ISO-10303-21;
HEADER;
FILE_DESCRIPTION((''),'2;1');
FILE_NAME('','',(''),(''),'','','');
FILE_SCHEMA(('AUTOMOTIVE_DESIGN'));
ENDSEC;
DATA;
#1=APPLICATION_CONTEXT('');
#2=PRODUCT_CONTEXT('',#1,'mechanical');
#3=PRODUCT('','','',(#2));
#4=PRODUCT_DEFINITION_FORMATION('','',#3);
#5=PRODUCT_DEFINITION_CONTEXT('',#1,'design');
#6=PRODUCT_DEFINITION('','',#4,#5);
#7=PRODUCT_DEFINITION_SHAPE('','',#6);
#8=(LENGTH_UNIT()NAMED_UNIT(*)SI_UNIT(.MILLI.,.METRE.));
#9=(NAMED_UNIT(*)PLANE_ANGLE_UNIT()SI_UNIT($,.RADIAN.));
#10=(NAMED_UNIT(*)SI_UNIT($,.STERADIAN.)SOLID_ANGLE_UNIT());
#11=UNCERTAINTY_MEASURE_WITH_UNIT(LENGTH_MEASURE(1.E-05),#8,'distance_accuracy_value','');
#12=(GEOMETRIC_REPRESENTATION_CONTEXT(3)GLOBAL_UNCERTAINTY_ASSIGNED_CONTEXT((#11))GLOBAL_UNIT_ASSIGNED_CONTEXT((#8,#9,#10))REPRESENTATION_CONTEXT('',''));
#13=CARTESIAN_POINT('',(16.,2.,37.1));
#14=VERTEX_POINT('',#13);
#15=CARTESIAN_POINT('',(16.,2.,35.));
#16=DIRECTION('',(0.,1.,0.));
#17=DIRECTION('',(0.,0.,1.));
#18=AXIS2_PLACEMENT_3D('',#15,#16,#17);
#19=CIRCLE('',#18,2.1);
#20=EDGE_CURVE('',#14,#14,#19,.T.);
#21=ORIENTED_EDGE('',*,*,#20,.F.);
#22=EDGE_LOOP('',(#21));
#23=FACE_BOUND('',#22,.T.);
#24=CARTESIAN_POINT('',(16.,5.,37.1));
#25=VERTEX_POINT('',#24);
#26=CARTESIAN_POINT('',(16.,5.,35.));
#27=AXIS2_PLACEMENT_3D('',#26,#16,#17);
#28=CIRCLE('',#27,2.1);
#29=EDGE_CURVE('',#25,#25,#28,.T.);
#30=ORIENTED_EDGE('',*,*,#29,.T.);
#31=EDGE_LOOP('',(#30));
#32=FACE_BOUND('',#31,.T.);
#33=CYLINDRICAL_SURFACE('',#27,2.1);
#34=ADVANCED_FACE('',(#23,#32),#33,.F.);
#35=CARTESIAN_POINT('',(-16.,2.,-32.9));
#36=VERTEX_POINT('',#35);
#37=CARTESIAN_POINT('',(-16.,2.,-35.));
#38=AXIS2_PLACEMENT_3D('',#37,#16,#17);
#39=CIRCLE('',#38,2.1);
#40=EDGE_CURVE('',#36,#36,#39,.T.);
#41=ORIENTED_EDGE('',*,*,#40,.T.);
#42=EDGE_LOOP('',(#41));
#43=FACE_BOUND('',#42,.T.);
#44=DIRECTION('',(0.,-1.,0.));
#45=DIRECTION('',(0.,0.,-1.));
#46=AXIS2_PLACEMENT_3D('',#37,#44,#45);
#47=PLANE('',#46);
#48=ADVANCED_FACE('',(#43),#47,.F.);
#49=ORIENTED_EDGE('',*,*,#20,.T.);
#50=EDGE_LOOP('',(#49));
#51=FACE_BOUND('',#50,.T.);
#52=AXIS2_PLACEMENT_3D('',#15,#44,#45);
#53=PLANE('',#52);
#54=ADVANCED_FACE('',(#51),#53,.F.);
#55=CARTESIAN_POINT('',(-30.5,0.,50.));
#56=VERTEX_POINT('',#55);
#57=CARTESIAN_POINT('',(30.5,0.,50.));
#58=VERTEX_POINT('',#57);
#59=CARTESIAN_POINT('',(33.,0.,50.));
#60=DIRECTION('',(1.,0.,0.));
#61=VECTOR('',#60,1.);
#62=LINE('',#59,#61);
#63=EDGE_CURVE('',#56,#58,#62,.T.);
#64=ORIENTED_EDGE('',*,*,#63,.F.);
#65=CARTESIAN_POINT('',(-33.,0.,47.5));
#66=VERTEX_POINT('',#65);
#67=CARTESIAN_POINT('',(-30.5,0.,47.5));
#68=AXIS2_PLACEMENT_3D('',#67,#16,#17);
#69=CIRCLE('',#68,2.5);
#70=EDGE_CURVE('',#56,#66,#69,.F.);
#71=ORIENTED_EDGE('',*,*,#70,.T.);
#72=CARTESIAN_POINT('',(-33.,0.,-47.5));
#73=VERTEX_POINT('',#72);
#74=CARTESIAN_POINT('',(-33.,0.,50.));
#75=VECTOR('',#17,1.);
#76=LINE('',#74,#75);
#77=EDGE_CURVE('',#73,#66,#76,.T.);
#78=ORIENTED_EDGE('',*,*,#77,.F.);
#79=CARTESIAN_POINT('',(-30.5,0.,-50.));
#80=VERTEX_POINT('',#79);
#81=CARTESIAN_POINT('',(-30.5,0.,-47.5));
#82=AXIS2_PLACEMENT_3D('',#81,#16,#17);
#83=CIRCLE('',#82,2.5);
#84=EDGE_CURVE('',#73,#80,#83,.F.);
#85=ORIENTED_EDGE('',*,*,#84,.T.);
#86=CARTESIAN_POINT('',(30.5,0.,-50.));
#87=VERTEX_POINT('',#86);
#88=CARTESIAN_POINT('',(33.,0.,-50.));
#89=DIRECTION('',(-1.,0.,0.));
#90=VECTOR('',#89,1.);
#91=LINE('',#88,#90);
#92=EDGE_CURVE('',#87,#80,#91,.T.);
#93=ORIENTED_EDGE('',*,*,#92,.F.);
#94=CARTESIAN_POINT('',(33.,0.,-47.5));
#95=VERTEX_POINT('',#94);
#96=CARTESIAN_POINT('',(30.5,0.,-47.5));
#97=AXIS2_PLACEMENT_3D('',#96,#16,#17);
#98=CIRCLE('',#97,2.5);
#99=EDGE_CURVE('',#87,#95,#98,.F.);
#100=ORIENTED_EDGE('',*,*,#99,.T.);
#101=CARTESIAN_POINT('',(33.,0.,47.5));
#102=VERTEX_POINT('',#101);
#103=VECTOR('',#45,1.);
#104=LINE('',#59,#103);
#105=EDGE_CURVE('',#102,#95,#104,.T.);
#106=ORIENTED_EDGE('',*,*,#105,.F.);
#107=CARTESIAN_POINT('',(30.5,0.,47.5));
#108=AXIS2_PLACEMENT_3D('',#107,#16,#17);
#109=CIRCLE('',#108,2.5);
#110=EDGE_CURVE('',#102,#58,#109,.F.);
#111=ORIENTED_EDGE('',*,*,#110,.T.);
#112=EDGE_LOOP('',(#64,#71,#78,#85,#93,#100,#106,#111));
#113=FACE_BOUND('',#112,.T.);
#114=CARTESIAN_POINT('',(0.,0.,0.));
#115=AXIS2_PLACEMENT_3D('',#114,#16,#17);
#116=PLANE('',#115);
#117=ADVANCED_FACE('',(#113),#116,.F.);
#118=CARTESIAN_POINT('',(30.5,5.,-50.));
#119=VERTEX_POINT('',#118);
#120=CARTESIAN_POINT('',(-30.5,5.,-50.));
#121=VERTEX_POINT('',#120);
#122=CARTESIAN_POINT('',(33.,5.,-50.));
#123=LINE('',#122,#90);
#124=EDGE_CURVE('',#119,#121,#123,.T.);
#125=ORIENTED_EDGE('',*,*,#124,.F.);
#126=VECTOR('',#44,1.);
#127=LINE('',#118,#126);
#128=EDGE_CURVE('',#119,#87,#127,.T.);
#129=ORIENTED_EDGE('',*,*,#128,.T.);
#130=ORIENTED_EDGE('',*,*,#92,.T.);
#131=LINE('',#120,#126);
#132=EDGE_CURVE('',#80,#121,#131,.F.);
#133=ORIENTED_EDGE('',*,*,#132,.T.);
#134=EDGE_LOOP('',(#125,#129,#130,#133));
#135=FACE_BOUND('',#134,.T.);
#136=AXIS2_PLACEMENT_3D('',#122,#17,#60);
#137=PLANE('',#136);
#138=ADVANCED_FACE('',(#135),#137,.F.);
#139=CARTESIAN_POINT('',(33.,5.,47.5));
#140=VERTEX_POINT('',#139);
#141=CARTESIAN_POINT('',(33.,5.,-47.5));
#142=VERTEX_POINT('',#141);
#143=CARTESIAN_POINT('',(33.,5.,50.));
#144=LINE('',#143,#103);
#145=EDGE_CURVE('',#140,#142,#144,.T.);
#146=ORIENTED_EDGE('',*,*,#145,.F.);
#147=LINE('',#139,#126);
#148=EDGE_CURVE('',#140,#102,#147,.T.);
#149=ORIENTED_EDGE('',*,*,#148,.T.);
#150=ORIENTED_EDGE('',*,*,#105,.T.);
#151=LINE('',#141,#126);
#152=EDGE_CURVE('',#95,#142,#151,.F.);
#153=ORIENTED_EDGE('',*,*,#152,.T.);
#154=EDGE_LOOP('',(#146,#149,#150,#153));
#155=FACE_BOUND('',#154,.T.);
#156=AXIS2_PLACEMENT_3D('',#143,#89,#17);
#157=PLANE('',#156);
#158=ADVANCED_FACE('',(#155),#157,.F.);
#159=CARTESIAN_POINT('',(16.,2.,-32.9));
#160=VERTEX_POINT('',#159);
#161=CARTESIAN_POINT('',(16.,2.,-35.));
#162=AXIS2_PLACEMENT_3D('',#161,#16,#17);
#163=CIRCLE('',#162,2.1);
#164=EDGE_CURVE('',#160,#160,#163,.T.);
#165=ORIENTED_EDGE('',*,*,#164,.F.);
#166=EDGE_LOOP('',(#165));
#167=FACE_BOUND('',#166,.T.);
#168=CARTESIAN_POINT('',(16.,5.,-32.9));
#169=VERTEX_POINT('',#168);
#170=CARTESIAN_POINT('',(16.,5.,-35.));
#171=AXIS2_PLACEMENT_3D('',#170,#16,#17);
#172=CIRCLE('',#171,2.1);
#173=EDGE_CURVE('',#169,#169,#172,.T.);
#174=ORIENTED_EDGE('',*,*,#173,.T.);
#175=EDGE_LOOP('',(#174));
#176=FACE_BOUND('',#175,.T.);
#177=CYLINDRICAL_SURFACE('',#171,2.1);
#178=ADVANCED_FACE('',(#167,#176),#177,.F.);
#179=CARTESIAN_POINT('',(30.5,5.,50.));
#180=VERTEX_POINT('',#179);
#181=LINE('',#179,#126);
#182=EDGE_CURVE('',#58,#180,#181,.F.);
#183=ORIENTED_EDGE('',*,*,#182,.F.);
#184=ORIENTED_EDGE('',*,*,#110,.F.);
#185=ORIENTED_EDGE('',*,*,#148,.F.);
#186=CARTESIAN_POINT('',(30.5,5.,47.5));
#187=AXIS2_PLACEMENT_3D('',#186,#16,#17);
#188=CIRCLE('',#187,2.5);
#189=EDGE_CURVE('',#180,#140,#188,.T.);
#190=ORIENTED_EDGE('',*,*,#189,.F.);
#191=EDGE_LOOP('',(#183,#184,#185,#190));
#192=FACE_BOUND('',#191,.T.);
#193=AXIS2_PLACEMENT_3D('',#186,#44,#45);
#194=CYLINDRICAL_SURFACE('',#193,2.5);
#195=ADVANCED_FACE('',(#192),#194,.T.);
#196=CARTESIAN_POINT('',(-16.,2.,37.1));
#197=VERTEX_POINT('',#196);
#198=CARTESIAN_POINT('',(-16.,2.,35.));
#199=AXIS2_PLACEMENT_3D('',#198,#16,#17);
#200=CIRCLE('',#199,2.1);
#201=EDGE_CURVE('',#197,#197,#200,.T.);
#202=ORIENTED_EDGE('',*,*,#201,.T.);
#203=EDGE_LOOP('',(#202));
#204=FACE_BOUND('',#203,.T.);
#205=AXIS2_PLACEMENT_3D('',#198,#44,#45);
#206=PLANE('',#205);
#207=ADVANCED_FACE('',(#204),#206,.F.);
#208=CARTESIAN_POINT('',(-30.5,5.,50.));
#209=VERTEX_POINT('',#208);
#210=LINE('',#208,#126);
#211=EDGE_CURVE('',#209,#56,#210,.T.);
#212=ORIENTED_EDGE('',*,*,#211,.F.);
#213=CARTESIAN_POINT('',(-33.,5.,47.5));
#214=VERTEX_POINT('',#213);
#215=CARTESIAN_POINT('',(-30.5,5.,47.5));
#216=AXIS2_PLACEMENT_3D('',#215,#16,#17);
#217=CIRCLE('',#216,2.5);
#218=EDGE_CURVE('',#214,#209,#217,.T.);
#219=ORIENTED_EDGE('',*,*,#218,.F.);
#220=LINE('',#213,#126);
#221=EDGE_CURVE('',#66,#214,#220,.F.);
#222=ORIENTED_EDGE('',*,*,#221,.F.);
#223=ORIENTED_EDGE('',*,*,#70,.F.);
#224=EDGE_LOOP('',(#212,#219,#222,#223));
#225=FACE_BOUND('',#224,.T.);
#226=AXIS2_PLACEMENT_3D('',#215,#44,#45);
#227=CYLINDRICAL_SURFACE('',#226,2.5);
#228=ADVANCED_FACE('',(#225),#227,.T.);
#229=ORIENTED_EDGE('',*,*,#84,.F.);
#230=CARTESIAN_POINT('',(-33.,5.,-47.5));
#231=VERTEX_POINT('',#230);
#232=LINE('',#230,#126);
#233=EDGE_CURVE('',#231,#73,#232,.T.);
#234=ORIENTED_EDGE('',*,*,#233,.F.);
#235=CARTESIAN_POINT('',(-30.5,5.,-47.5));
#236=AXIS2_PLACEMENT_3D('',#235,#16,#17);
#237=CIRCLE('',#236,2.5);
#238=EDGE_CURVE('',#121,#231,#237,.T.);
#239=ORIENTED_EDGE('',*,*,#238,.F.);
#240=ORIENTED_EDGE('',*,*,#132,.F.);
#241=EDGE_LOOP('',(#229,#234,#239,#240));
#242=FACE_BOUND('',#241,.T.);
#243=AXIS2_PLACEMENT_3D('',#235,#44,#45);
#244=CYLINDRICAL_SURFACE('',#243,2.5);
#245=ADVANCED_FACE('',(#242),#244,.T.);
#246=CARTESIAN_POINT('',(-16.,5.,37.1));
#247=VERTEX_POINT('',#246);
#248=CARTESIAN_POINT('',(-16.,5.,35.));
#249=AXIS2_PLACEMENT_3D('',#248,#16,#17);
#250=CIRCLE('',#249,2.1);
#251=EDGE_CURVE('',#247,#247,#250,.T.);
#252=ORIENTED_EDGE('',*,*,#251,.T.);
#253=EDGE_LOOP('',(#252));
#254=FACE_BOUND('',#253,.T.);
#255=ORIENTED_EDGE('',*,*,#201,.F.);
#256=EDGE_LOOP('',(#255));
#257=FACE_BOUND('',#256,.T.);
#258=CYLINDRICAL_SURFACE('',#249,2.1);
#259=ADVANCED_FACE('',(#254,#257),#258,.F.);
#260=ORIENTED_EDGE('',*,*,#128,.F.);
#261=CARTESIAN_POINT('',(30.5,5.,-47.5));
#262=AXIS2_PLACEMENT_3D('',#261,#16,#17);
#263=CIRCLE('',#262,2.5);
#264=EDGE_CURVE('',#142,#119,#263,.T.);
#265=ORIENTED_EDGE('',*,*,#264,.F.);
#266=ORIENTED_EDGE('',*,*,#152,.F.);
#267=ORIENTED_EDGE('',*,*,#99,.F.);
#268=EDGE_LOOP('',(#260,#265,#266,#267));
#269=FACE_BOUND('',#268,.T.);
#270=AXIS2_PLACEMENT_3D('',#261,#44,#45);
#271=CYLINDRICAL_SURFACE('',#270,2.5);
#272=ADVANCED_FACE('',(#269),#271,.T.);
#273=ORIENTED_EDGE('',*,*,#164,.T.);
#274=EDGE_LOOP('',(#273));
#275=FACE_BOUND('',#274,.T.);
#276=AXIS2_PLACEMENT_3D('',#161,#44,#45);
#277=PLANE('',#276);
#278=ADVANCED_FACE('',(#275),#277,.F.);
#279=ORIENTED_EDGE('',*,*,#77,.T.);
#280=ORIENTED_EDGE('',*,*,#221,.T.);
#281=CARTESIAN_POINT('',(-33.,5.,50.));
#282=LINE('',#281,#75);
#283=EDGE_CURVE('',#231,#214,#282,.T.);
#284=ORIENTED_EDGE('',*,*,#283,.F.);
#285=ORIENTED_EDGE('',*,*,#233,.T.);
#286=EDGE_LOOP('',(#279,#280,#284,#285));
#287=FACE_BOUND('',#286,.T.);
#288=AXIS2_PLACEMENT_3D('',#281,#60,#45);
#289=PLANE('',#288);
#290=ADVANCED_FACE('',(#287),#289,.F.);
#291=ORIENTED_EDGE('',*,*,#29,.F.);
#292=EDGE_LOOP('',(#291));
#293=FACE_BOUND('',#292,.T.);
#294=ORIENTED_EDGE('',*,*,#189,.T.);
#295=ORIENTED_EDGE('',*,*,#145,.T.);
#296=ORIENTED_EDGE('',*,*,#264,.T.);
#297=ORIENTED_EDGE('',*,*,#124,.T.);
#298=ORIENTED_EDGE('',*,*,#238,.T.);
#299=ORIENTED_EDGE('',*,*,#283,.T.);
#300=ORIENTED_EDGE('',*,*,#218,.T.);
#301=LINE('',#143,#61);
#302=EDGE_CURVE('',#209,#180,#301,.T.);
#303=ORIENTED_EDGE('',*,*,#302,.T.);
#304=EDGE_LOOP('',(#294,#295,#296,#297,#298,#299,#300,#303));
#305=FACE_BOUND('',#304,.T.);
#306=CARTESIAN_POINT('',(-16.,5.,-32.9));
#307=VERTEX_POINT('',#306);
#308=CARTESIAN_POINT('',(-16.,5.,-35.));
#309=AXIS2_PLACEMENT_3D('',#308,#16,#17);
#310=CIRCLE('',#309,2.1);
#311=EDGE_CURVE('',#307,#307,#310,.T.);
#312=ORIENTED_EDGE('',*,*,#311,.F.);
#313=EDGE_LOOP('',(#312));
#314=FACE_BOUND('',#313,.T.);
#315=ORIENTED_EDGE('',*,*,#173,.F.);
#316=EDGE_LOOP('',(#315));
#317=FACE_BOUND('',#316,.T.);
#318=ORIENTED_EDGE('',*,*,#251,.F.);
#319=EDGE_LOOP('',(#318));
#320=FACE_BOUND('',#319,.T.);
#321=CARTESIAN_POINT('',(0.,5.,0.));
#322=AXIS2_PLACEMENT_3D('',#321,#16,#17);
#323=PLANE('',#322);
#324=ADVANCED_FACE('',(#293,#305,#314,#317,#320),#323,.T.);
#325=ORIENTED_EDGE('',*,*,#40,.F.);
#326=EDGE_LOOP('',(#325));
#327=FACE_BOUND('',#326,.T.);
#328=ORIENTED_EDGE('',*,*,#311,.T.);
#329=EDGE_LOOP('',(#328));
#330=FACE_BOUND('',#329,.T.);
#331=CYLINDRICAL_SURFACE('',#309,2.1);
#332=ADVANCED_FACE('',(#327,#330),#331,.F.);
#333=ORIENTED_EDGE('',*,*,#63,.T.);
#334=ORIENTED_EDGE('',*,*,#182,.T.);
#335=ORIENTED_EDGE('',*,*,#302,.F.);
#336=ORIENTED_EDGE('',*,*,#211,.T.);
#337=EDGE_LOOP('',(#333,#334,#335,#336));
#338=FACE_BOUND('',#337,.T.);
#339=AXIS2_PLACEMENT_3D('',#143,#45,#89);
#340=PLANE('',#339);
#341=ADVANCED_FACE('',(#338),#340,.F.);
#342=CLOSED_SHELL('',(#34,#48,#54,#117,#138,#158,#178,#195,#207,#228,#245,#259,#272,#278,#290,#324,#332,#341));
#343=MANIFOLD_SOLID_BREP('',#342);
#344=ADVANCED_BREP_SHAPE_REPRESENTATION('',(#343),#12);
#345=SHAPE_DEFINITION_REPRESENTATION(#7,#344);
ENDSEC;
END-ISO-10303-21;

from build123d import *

# Parameters (mm, degrees)
SKETCH1_W                 = 66
SKETCH1_H                 = 100
BOSS_EXTRUDE1_DEPTH       = 5
F_4_0MM_DOWEL_HOLE1_D     = 4.2
F_4_0MM_DOWEL_HOLE1_DEPTH = 3
FILLET1_R                 = 2.5


with BuildPart() as part:
    # Sketch1 → Boss-Extrude1 (new body)
    with BuildSketch(Plane(origin=(0, 0, 0), x_dir=(1, 0, 0), z_dir=(0, 1, 0))):
        Rectangle(SKETCH1_W, SKETCH1_H)
    extrude(amount=BOSS_EXTRUDE1_DEPTH)

    # Ø4.0mm Dowel Hole1
    with Locations(Plane(origin=(0, 5, 0), x_dir=(1, 0, 0), z_dir=(0, 1, 0))):
        with Locations((-16, 35), (16, 35), (16, -35), (-16, -35)):
            Hole(F_4_0MM_DOWEL_HOLE1_D / 2, depth=F_4_0MM_DOWEL_HOLE1_DEPTH)

    # Fillet1
    fillet1_edges = [part.edges().sort_by_distance(p)[0] for p in [
        (-33, 2.5, -50),
        (33, 2.5, -50),
        (33, 2.5, 50),
        (-33, 2.5, 50),
    ]]
    fillet(fillet1_edges, radius=FILLET1_R)


solid = part.part
